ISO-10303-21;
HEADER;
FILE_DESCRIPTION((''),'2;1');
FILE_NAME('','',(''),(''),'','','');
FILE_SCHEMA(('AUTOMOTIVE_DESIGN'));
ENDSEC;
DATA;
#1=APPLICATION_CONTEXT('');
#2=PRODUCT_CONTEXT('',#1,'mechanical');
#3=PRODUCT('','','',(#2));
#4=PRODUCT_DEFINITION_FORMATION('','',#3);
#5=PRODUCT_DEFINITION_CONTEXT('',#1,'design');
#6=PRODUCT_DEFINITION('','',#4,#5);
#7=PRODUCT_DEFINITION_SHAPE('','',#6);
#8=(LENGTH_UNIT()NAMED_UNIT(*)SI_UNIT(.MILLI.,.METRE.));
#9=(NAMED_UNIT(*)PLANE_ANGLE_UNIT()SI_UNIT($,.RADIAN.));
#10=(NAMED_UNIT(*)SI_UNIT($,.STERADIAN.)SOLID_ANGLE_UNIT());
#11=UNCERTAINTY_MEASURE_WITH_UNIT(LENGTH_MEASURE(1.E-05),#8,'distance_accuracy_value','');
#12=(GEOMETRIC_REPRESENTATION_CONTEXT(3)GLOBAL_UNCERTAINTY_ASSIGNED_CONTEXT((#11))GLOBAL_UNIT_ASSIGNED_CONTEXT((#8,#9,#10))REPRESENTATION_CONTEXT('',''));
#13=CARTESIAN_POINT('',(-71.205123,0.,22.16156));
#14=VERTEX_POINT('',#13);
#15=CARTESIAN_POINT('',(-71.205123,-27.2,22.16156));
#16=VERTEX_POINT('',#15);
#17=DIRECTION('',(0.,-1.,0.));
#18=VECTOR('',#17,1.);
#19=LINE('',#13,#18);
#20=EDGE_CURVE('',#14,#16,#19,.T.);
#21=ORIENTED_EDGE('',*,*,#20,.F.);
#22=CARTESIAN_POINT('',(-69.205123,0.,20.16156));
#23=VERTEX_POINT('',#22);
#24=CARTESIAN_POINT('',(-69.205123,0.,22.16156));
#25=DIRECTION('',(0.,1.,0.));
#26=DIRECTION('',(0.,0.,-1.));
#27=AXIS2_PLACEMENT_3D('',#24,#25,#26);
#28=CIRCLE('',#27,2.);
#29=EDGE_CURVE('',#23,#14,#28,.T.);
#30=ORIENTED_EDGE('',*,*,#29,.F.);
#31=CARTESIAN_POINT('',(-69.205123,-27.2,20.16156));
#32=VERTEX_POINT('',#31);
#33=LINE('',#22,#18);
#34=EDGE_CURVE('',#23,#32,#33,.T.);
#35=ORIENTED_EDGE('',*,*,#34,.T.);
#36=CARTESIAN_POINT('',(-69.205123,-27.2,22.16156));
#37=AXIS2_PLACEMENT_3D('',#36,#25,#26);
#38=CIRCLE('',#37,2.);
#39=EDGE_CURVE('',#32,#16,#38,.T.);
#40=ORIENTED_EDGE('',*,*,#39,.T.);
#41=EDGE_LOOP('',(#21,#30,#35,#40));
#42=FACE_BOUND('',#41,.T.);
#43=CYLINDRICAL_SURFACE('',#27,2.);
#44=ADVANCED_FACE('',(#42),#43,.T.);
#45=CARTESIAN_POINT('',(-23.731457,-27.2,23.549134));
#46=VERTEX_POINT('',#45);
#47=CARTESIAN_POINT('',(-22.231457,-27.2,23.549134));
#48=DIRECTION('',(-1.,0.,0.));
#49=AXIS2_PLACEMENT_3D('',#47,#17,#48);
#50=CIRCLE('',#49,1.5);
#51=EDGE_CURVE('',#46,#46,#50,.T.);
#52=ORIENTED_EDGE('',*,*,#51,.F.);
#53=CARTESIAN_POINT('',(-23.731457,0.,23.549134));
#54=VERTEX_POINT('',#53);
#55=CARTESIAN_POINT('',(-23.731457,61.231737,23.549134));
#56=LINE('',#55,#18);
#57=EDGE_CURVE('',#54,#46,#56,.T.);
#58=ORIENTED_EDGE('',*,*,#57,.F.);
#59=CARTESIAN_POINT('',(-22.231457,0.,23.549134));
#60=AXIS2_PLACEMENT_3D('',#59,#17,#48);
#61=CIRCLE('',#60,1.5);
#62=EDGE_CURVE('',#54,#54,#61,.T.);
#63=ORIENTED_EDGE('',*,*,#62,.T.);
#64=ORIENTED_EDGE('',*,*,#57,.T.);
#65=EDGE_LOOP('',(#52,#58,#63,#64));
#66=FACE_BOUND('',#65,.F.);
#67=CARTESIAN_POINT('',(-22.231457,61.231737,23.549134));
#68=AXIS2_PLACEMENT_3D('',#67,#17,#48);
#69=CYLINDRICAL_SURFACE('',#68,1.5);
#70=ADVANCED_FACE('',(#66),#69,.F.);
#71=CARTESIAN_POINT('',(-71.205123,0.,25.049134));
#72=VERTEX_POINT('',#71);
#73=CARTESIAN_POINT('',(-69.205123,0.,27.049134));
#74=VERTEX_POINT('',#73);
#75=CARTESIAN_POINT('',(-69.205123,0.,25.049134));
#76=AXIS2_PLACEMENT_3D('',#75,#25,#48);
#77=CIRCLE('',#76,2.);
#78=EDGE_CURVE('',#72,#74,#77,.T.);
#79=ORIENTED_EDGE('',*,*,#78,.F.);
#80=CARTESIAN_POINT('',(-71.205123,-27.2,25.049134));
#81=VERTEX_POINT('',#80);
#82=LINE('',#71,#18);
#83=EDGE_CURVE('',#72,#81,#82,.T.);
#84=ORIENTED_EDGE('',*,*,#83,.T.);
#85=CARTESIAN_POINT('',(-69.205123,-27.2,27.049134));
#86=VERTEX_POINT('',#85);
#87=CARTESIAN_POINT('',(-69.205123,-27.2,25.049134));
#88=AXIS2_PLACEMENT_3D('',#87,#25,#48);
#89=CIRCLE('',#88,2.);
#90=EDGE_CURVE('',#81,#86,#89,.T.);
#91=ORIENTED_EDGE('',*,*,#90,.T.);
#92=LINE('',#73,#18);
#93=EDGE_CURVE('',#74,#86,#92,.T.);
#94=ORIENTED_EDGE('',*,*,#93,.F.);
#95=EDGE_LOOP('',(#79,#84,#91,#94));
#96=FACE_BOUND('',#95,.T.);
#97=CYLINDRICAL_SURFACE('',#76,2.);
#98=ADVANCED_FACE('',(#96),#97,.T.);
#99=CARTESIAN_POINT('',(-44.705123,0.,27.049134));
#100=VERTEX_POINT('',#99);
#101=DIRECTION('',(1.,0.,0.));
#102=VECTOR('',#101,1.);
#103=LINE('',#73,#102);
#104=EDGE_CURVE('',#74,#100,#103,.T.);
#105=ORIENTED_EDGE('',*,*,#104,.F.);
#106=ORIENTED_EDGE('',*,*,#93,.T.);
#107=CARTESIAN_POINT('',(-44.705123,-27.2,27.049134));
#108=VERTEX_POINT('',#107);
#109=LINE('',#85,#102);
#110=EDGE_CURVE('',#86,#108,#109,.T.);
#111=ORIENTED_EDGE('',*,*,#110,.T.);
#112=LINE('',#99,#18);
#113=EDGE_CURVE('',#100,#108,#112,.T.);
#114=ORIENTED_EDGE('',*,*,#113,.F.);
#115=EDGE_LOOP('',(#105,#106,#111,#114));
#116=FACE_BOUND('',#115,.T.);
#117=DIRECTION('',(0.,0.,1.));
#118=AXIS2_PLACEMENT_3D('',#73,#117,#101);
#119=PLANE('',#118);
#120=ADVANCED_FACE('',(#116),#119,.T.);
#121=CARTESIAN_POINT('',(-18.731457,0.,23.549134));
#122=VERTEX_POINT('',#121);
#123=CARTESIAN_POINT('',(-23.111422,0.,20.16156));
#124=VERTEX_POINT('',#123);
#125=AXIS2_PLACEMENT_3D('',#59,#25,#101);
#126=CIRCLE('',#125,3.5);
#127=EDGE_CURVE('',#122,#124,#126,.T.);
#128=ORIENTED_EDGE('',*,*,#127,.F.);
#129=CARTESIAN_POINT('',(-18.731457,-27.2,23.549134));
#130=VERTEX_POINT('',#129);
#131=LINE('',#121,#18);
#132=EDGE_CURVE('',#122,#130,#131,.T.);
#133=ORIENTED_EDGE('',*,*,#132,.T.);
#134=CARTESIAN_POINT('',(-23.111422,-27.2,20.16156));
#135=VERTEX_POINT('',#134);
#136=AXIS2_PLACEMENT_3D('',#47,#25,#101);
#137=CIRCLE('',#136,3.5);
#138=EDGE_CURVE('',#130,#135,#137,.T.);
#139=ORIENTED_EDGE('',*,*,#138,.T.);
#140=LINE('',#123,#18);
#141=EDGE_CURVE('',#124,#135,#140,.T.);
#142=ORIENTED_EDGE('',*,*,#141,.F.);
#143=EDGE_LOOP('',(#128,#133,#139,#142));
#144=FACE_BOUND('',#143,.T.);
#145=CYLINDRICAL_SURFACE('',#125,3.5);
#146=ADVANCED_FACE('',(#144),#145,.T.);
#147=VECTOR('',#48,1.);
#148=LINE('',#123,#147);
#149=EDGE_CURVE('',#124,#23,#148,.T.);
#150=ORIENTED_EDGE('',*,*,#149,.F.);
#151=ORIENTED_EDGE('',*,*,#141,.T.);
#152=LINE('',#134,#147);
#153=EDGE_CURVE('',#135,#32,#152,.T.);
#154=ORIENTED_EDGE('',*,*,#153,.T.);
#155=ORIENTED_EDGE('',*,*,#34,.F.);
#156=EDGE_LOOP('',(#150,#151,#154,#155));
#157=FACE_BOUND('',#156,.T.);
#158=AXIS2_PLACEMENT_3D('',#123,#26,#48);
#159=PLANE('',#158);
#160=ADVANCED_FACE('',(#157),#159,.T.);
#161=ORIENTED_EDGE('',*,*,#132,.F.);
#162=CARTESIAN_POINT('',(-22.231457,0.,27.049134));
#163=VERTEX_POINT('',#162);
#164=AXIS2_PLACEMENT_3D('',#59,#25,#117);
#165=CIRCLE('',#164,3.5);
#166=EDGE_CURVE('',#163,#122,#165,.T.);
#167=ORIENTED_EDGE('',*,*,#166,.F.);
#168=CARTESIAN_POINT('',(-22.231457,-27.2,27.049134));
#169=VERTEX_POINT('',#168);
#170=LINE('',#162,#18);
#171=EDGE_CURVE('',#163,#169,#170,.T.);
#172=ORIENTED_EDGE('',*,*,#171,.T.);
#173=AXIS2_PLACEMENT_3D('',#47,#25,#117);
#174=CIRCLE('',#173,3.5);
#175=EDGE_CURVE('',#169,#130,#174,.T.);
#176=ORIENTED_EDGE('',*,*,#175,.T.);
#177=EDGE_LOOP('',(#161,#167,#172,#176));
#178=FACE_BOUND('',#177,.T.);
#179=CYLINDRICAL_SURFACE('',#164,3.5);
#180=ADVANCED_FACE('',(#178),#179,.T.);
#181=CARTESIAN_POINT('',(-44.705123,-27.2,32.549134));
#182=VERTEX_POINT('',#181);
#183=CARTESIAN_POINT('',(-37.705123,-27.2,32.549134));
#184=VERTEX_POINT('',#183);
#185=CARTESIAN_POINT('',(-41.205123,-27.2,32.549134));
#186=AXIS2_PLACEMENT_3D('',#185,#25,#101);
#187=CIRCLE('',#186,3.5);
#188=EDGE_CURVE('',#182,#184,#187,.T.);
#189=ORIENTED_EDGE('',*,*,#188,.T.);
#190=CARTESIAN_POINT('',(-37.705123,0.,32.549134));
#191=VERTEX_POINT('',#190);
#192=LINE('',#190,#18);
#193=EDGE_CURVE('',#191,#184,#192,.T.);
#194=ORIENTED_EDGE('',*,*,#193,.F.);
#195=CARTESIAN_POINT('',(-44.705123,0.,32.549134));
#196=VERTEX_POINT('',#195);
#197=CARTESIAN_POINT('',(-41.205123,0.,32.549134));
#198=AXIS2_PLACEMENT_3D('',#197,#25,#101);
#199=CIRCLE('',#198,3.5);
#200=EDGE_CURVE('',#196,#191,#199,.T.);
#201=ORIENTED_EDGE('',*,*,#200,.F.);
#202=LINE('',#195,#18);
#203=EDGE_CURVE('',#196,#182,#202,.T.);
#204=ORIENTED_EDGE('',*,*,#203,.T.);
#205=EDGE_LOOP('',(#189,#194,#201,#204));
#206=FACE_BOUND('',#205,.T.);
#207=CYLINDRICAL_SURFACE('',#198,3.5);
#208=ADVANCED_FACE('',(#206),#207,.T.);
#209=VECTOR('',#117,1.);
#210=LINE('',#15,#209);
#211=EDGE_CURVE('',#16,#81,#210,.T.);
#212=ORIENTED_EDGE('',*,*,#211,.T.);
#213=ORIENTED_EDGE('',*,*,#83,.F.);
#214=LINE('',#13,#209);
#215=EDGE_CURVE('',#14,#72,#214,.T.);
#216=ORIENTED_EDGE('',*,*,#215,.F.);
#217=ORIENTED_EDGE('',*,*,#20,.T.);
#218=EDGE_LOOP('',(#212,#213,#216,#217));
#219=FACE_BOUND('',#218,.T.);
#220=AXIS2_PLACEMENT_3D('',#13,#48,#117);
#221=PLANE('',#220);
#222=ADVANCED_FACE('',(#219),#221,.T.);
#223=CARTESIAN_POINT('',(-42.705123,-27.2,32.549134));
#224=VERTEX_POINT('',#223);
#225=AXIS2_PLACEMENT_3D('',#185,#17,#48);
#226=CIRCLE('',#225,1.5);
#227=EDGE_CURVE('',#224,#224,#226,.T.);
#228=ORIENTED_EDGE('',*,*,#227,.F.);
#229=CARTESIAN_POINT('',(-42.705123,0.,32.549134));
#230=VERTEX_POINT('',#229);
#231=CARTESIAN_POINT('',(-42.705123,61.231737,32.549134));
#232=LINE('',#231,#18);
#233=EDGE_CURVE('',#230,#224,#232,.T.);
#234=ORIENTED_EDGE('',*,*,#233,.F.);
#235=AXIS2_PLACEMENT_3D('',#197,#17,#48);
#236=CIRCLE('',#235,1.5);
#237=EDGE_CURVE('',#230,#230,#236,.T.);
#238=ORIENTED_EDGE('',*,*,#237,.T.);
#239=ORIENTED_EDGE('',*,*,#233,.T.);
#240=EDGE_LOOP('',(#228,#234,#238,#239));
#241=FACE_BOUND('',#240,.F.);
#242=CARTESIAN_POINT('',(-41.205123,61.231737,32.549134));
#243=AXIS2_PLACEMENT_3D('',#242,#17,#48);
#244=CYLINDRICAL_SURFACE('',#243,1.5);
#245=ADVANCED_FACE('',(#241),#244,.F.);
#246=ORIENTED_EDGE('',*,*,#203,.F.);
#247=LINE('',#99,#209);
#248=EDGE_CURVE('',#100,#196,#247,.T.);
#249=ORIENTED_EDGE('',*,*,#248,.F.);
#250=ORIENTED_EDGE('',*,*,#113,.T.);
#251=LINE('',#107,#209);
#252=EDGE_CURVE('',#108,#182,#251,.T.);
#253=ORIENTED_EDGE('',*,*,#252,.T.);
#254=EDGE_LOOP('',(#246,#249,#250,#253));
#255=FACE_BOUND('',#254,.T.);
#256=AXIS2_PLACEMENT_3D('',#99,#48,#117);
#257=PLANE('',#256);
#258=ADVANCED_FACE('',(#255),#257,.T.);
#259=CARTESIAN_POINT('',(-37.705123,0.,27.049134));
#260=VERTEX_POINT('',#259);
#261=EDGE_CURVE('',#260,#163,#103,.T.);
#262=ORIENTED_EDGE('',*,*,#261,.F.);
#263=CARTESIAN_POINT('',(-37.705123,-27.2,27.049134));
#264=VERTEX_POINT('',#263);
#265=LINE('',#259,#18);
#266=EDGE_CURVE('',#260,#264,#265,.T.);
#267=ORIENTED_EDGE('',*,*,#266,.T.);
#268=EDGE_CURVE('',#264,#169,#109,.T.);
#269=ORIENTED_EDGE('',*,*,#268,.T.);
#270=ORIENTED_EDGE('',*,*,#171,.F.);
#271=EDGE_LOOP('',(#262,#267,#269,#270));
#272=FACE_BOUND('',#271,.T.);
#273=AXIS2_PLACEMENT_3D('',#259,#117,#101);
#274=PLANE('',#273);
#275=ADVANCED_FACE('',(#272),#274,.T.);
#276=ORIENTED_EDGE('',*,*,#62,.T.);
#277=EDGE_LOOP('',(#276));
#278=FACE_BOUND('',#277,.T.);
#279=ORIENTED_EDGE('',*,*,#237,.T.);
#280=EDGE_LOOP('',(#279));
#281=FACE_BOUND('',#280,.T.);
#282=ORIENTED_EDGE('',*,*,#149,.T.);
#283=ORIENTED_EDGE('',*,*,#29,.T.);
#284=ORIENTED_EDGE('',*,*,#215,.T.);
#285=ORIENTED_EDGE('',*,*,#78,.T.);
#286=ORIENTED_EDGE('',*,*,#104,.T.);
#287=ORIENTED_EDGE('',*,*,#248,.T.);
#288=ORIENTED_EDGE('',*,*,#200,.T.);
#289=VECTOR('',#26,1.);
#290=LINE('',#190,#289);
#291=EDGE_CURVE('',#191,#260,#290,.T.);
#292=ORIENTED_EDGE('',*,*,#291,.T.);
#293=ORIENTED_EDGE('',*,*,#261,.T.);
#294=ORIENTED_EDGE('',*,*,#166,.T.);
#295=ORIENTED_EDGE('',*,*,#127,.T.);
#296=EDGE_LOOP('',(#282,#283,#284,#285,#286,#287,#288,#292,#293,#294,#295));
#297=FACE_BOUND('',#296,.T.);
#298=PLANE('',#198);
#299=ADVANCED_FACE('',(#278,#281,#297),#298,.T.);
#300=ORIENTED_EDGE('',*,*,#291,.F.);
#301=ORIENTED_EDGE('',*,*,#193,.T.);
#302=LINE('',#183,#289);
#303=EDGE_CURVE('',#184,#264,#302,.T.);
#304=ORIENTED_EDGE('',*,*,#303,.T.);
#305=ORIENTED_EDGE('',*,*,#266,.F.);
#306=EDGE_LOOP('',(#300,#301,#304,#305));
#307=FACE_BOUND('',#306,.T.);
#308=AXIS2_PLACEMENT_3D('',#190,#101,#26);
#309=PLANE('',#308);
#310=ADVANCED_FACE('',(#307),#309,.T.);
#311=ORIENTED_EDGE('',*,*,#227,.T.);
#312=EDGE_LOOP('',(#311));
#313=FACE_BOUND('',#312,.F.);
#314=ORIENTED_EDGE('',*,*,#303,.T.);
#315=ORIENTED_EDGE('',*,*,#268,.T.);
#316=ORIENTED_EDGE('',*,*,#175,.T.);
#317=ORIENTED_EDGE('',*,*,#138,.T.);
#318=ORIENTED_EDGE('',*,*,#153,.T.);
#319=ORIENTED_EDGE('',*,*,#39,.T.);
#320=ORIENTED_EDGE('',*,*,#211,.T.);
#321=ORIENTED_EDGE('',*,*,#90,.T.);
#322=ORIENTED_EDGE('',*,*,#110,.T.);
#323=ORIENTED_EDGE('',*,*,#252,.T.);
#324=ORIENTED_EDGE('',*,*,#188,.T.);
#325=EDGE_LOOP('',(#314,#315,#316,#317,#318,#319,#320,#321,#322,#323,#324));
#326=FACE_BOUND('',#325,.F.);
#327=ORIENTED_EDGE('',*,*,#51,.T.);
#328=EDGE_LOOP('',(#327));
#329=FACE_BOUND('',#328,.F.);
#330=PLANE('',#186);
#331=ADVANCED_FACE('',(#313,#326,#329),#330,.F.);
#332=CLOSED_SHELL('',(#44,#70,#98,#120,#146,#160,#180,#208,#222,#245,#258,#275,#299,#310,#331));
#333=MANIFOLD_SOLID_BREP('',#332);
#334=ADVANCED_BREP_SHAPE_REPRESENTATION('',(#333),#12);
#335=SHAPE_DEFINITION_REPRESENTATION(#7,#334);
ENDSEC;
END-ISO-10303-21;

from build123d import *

# Parameters (mm, degrees)
F1_DEPTH = 27.2
F2_D     = 3
F3_D     = 3
F4_ANGLE = 180


with BuildPart() as f1:
    # F0 (on Front) → F1 (new body)
    with BuildSketch(Plane.XZ):
        with BuildLine():
            ThreePointArc((-44.7051230669, 7.7739851549), (-41.2051230669, 4.2739851549), (-37.7051230669, 7.7739851549))
            ThreePointArc((-37.7051230669, 7.7739851549), (-41.2051230669, 11.2739851549), (-44.7051230669, 7.7739851549))
        make_face()
        with BuildLine():
            ThreePointArc((-44.7051230669, 7.7739851549), (-41.2051230669, 11.2739851549), (-37.7051230669, 7.7739851549))
            Line((-37.7051230669, 7.7739851549), (-37.7051230669, 13.2739851549))
            Line((-37.7051230669, 13.2739851549), (-44.7051230669, 13.2739851549))
            Line((-44.7051230669, 13.2739851549), (-44.7051230669, 7.7739851549))
        make_face()
        with BuildLine():
            Line((-44.7051230669, 13.2739851549), (-37.7051230669, 13.2739851549))
            Line((-37.7051230669, 13.2739851549), (-22.2314571059, 13.2739851549))
            ThreePointArc((-22.2314571059, 13.2739851549), (-25.7032370007, 16.3304264081), (-23.1114218713, 20.1615598053))
            Line((-23.1114218713, 20.1615598053), (-69.2051230669, 20.1615598053))
            ThreePointArc((-69.2051230669, 20.1615598053), (-70.6193366293, 19.5757733676), (-71.2051230669, 18.1615598053))
            Line((-71.2051230669, 18.1615598053), (-71.2051230669, 15.2739851549))
            ThreePointArc((-71.2051230669, 15.2739851549), (-70.6193366293, 13.8597715926), (-69.2051230669, 13.2739851549))
            Line((-69.2051230669, 13.2739851549), (-44.7051230669, 13.2739851549))
        make_face()
        with BuildLine():
            Line((-22.2314571059, 20.1615598053), (-22.2314571059, 13.2739851549))
            ThreePointArc((-22.2314571059, 13.2739851549), (-19.7565833717, 14.2991114208), (-18.7314571059, 16.7739851549))
            ThreePointArc((-18.7314571059, 16.7739851549), (-20.0901813972, 19.5425476591), (-23.1114218713, 20.1615598053))
            Line((-23.1114218713, 20.1615598053), (-22.2314571059, 20.1615598053))
        make_face()
        with BuildLine():
            ThreePointArc((-23.1114218713, 20.1615598053), (-25.7032370007, 16.3304264081), (-22.2314571059, 13.2739851549))
            Line((-22.2314571059, 13.2739851549), (-22.2314571059, 20.1615598053))
            Line((-22.2314571059, 20.1615598053), (-23.1114218713, 20.1615598053))
        make_face()
    extrude(amount=-F1_DEPTH)

    # F2 (through all)
    with Locations(Plane.XZ):
        with Locations((-41.2051230669, 7.7739851549)):
            Hole(F2_D / 2)

    # F3 (through all)
    with Locations(Plane.XZ):
        with Locations((-22.2314571059, 16.7739851549)):
            Hole(F3_D / 2)


with BuildPart() as f1_1:
    # F4: moved
    add(f1.part.rotate(Axis((-46.1582724691, 0, 20.1615598053), (-1, 0, 0)), F4_ANGLE))


solid = f1_1.part
